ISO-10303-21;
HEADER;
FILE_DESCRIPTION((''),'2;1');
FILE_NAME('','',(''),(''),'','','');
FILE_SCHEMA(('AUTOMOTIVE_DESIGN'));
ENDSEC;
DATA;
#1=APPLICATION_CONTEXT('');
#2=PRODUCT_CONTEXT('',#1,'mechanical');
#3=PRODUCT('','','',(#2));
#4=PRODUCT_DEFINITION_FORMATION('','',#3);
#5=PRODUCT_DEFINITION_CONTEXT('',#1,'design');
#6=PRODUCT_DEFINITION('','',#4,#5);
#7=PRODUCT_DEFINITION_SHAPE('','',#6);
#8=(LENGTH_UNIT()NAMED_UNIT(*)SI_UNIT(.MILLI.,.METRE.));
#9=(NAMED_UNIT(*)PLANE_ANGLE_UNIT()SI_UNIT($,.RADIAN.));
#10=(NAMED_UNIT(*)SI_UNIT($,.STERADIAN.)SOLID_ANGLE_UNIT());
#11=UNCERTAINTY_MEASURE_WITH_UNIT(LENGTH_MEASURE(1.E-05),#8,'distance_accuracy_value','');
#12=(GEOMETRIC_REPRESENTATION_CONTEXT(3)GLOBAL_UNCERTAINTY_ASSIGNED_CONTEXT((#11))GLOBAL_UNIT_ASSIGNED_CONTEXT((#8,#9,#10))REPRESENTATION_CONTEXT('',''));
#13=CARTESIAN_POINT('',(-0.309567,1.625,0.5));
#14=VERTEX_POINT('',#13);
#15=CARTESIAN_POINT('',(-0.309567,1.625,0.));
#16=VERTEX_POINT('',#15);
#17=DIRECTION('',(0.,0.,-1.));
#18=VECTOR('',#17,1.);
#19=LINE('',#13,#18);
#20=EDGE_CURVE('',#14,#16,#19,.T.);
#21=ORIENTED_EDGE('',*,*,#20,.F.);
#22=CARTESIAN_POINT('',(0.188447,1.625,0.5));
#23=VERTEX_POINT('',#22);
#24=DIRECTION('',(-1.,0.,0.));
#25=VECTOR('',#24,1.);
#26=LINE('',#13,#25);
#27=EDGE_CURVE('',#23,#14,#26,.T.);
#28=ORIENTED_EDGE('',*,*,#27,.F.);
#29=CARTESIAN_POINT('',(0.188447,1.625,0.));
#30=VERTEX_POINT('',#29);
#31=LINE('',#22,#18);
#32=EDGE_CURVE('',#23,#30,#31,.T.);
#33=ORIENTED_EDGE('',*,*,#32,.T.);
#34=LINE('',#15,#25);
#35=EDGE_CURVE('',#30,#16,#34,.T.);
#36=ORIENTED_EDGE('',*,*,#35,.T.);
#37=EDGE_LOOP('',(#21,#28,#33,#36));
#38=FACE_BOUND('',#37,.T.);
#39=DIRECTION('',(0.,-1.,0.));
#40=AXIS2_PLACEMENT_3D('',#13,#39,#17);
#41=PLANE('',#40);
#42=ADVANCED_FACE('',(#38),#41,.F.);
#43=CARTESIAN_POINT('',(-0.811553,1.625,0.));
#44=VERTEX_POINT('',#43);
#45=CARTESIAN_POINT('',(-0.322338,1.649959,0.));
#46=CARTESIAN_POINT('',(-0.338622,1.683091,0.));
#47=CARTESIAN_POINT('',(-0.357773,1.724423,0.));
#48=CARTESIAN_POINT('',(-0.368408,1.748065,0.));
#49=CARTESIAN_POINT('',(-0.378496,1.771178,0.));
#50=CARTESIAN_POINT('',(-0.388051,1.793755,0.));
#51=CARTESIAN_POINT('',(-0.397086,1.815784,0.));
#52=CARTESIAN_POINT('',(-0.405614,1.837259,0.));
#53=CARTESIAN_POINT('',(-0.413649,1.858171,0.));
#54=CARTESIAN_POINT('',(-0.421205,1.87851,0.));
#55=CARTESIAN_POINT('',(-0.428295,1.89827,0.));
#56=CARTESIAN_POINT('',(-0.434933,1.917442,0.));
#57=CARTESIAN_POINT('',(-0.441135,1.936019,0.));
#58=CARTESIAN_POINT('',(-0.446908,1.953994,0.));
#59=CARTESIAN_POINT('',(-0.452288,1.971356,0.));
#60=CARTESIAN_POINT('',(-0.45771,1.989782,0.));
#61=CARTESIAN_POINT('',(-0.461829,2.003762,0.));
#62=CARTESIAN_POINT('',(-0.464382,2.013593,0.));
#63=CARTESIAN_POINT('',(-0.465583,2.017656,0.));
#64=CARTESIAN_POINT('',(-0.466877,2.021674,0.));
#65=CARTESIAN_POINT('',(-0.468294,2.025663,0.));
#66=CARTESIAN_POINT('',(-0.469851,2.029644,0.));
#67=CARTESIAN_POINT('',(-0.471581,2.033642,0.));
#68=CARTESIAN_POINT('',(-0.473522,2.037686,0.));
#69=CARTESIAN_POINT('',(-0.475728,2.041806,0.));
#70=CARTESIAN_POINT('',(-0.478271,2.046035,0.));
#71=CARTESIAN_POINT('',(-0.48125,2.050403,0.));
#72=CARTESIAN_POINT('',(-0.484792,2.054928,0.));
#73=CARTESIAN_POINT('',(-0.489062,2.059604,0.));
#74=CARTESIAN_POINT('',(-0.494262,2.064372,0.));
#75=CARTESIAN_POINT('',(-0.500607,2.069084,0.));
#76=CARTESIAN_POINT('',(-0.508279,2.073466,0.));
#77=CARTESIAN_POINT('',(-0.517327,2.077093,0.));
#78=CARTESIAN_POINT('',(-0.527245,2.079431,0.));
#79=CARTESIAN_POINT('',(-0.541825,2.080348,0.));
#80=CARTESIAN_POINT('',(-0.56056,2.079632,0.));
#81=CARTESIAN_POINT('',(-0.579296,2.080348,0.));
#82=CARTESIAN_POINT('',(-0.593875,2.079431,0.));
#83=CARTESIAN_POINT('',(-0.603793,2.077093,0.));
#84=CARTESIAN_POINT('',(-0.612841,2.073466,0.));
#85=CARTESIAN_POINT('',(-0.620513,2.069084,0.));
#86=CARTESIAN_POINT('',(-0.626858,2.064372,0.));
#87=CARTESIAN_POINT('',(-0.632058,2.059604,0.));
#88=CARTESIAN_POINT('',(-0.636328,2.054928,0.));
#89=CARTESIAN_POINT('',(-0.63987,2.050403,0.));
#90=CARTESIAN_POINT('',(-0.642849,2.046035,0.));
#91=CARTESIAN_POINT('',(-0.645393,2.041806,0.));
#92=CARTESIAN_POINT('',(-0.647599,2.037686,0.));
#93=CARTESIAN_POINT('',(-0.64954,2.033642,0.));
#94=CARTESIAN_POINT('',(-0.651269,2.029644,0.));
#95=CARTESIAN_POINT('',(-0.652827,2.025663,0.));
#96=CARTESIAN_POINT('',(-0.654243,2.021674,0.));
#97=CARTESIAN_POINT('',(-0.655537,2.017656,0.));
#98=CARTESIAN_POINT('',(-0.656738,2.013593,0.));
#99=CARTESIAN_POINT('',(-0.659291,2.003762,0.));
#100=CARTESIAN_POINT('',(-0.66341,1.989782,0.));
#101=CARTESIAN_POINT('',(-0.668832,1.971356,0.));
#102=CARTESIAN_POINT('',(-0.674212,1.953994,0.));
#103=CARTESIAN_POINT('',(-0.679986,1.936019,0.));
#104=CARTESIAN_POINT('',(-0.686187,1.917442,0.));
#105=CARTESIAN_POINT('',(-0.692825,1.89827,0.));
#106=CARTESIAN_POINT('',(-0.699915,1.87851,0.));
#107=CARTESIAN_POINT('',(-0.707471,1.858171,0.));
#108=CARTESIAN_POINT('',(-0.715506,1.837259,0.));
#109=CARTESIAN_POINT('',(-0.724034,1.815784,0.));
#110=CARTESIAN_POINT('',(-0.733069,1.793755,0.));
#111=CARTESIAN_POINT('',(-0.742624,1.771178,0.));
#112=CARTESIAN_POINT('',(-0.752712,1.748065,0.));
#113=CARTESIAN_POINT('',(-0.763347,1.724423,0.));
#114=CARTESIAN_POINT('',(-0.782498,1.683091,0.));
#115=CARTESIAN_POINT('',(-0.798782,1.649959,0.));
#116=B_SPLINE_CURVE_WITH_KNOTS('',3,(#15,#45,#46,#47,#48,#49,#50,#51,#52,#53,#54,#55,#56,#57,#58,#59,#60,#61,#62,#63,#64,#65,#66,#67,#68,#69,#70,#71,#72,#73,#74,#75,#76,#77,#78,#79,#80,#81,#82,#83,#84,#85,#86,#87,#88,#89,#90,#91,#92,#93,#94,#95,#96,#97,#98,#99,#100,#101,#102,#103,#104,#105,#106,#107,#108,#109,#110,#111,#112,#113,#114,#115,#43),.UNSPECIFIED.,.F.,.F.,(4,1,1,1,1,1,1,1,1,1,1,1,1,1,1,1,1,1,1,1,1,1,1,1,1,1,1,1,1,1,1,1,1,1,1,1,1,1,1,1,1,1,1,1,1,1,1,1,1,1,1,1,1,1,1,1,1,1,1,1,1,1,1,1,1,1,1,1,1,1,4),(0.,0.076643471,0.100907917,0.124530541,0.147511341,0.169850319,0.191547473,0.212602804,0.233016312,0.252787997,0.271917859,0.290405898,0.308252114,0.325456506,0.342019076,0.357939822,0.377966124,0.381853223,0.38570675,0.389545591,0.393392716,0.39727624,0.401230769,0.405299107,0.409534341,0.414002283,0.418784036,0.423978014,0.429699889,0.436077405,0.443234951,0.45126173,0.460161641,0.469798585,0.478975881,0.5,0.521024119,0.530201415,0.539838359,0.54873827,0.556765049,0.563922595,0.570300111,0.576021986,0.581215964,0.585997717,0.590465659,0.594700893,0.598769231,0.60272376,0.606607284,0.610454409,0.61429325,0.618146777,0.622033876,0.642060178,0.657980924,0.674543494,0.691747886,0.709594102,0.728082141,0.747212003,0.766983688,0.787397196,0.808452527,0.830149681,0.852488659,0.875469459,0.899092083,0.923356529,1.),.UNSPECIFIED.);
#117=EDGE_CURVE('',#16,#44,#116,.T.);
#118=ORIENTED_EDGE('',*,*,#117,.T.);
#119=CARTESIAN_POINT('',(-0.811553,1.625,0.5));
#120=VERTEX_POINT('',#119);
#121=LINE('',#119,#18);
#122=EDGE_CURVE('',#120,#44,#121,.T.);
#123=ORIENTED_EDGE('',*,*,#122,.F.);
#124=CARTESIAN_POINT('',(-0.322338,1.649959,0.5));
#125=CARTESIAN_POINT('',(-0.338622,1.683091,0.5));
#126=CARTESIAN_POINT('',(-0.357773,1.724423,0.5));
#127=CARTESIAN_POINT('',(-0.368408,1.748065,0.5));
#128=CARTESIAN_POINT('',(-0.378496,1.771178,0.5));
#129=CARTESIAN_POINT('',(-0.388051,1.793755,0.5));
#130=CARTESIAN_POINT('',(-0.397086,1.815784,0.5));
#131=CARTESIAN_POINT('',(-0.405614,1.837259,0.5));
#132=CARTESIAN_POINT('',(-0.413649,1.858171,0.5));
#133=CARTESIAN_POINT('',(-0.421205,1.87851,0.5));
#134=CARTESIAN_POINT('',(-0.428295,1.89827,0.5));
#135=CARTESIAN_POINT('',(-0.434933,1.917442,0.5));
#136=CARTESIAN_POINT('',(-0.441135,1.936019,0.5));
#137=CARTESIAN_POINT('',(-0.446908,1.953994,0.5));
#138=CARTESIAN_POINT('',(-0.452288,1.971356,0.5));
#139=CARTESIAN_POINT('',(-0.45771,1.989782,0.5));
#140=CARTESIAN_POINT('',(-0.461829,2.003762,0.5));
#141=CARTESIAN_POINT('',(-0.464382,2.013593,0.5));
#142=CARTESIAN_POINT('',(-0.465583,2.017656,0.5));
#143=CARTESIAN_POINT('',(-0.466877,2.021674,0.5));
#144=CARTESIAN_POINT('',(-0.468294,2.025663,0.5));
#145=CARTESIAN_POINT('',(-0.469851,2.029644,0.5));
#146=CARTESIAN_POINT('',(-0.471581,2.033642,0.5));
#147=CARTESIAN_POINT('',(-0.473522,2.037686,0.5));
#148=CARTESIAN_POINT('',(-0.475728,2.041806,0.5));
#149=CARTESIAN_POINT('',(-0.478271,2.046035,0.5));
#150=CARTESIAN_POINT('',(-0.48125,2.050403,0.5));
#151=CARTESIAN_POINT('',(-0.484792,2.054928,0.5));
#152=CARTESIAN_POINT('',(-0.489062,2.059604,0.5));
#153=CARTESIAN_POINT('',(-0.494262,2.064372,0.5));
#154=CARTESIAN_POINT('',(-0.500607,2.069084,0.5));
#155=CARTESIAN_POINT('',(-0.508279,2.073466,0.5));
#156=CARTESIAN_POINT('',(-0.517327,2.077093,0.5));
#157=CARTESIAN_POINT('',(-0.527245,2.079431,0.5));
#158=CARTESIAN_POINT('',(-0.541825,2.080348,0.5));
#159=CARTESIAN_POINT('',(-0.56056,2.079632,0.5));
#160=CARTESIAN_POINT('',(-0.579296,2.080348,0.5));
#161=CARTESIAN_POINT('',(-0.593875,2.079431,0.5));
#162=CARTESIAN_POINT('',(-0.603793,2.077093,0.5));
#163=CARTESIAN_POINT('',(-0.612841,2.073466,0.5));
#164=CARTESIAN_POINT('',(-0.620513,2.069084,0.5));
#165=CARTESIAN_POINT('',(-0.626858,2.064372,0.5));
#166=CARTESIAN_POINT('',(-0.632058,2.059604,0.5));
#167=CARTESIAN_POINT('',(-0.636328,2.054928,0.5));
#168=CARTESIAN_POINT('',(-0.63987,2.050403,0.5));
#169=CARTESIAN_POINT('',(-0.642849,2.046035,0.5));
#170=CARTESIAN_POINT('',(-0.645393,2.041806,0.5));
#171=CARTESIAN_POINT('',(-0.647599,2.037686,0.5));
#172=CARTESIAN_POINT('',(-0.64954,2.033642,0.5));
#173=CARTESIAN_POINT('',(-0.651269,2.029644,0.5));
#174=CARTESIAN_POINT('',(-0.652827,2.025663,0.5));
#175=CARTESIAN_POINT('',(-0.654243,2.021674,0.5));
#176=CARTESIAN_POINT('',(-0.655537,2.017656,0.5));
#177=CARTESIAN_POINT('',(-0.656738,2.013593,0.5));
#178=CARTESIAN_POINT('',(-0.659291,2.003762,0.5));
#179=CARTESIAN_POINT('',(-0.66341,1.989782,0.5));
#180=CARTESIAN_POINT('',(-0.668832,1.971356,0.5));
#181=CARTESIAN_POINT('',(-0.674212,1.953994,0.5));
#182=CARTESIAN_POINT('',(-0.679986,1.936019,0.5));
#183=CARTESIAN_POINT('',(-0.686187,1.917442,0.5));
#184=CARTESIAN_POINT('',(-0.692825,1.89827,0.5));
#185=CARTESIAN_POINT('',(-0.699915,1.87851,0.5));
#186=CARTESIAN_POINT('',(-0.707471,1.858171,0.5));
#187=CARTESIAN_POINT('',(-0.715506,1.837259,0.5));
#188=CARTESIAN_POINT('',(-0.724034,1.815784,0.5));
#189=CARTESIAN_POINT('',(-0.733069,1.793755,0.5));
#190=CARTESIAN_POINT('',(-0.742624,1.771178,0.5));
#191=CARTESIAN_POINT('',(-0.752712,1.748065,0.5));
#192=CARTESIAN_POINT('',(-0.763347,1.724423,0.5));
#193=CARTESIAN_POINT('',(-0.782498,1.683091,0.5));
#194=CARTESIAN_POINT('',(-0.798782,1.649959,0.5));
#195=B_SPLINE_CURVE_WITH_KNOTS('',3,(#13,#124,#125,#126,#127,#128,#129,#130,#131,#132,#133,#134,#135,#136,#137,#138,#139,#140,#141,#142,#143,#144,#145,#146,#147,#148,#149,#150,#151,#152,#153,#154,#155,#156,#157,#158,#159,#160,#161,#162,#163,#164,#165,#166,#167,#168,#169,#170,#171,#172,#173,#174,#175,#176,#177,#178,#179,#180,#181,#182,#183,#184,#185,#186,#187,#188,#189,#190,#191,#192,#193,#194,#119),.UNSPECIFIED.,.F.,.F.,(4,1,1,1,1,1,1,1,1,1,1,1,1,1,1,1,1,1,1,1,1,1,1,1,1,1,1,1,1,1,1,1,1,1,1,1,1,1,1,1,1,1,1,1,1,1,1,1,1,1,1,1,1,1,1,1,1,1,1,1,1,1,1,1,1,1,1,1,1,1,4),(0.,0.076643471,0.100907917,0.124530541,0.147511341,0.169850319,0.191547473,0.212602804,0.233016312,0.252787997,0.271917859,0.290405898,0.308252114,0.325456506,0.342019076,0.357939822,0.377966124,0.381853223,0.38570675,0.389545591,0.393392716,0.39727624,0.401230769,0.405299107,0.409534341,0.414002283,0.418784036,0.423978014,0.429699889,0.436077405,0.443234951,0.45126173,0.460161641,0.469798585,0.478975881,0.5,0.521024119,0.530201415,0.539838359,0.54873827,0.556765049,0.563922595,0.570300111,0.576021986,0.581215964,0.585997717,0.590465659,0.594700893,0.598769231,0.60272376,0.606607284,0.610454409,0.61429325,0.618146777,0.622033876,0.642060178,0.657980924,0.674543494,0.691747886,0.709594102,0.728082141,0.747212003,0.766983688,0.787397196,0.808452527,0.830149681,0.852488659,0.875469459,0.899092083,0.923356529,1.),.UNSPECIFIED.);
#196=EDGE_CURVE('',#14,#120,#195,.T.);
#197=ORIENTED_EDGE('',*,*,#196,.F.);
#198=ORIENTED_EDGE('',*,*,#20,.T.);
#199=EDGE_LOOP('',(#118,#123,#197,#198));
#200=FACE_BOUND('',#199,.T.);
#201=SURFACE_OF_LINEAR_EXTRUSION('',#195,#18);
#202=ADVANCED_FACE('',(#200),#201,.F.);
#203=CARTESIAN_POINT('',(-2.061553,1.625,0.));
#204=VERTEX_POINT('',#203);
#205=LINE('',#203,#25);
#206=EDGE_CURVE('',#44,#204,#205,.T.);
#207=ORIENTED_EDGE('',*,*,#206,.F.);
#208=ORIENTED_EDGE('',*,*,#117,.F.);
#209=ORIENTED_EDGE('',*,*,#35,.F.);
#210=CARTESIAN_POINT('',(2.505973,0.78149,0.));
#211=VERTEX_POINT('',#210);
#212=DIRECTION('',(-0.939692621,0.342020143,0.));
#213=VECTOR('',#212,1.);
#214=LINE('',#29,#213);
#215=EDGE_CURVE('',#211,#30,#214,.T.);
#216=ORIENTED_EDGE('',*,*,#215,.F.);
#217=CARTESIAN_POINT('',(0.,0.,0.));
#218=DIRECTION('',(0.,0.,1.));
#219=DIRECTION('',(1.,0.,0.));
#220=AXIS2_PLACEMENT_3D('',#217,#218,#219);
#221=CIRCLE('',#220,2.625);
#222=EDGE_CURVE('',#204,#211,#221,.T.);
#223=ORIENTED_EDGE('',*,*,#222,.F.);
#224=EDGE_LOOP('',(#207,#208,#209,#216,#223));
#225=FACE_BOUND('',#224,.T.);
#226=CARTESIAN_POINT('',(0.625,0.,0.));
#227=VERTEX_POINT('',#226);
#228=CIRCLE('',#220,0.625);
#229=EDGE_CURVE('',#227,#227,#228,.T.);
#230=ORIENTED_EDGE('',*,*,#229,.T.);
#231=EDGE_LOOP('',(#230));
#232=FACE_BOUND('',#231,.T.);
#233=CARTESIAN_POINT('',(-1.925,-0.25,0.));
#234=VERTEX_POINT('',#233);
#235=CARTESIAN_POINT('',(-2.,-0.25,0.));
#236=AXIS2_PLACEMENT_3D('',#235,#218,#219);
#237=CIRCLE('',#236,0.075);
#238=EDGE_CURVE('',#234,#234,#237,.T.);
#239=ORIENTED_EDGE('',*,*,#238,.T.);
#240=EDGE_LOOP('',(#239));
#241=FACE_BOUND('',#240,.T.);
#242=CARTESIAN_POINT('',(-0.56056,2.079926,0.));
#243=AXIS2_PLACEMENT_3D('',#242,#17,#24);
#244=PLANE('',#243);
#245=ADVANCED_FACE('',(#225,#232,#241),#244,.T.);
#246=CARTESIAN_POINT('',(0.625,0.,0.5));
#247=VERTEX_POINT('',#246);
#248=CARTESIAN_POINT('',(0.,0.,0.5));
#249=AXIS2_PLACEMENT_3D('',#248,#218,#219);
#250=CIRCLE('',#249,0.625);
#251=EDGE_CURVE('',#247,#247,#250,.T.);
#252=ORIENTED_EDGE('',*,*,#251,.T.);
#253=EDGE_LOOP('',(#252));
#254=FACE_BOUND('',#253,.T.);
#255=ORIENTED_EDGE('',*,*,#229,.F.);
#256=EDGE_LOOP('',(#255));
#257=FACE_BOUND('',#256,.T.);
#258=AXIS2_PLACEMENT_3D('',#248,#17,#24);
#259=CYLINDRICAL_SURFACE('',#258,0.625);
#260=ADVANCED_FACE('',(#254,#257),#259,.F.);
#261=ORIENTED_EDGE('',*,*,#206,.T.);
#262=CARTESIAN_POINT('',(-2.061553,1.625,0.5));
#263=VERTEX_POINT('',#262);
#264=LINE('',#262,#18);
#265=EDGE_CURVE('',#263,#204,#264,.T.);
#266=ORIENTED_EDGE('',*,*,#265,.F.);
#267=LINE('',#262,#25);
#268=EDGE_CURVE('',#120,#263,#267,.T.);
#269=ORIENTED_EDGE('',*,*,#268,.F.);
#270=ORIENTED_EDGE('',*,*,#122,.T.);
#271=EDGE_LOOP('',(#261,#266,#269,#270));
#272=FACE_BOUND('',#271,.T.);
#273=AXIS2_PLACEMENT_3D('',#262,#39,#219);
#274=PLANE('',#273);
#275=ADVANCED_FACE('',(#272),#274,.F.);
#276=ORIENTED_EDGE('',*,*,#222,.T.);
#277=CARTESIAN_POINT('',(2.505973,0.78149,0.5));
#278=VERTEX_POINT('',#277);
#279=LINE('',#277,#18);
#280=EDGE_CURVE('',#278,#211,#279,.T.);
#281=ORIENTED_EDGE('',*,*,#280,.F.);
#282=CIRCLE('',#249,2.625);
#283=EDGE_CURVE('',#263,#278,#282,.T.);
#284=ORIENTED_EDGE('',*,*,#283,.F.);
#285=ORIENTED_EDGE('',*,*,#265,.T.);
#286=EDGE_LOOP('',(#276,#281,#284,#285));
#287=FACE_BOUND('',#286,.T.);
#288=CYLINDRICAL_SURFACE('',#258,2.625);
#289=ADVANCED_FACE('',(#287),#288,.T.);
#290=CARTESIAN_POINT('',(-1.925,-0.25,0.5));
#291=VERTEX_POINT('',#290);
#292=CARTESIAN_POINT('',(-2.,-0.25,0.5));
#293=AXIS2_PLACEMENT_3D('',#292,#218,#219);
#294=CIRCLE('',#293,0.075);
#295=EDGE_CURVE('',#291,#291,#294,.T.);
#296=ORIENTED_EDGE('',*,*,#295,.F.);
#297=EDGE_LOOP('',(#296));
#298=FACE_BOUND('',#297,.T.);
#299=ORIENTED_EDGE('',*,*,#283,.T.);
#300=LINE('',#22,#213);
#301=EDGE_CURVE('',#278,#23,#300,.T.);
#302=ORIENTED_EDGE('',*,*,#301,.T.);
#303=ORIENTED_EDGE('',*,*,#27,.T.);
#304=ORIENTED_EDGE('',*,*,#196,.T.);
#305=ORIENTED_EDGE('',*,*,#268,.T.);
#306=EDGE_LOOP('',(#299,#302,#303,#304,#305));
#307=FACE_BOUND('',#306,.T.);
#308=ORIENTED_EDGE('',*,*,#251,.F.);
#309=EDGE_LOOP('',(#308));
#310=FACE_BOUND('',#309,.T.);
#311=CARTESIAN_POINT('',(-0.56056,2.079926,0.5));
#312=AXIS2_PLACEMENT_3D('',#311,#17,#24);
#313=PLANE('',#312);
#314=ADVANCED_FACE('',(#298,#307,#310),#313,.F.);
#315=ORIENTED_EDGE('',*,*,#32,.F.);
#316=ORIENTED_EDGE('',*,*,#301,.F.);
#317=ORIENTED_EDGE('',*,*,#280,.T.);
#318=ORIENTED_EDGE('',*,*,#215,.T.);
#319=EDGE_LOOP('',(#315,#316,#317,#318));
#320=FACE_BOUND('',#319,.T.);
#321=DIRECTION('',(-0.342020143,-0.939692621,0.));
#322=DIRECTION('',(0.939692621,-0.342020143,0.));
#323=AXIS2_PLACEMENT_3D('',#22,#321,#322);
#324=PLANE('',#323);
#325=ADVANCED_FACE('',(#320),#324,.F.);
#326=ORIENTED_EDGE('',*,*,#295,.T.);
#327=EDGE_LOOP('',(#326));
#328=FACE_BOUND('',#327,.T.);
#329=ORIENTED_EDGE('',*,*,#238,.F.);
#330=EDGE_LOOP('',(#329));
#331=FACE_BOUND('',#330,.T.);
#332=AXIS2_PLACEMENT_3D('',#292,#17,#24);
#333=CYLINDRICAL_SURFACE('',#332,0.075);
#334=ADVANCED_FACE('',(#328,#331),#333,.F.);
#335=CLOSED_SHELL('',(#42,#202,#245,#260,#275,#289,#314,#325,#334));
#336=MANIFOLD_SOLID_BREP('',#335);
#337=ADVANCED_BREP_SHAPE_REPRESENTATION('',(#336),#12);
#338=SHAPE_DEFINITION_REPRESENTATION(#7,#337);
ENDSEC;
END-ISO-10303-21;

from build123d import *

# Parameters (mm, degrees)
CROQUIS1_R              = 0.625
CROQUIS1_R_2            = 0.075
SALIENTE_EXTRUIR1_DEPTH = 0.5


with BuildPart() as part:
    # Croquis1 → Saliente-Extruir1 (new body)
    with BuildSketch(Plane.XY):
        with BuildLine():
            Line((-2.061552813, 1.625), (-0.811552813, 1.625))
            add(Edge.make_bspline(
                [(-0.811552813, 1.625), (-0.798782356, 1.649959349), (-0.782498238, 1.683090879), (-0.763347126, 1.72442316), (-0.752712149, 1.748064852), (-0.74262377, 1.771178381), (-0.733068825, 1.793754559), (-0.724034006, 1.815784432), (-0.715505878, 1.837259275), (-0.707470863, 1.858170593), (-0.699915302, 1.878510138), (-0.692825255, 1.898269854), (-0.686187231, 1.917442077), (-0.679985615, 1.936018832), (-0.674211779, 1.953994338), (-0.668831938, 1.971356162), (-0.66341026, 1.989782298), (-0.659291042, 2.003761573), (-0.65673809, 2.013593254), (-0.65553735, 2.017655932), (-0.654243192, 2.021674167), (-0.652826724, 2.025662873), (-0.651269039, 2.029644141), (-0.649539563, 2.033642415), (-0.647598658, 2.037685942), (-0.645392531, 2.041805901), (-0.642848792, 2.046034827), (-0.639870281, 2.050402579), (-0.636328384, 2.054928152), (-0.6320578, 2.059604348), (-0.626858125, 2.064372328), (-0.620512998, 2.06908401), (-0.612841423, 2.073466371), (-0.60379299, 2.077092613), (-0.593874768, 2.079431243), (-0.579295505, 2.080347541), (-0.560560129, 2.079632007), (-0.541824754, 2.080347541), (-0.52724549, 2.079431243), (-0.517327269, 2.077092613), (-0.508278836, 2.073466371), (-0.500607261, 2.06908401), (-0.494262134, 2.064372328), (-0.489062459, 2.059604348), (-0.484791875, 2.054928152), (-0.481249978, 2.050402579), (-0.478271466, 2.046034827), (-0.475727728, 2.041805901), (-0.473521601, 2.037685942), (-0.471580696, 2.033642415), (-0.46985122, 2.029644141), (-0.468293535, 2.025662873), (-0.466877067, 2.021674167), (-0.465582909, 2.017655932), (-0.464382169, 2.013593254), (-0.461829216, 2.003761573), (-0.457709999, 1.989782298), (-0.452288321, 1.971356162), (-0.44690848, 1.953994338), (-0.441134644, 1.936018832), (-0.434933028, 1.917442077), (-0.428295003, 1.898269854), (-0.421204957, 1.878510138), (-0.413649396, 1.858170593), (-0.405614381, 1.837259275), (-0.397086252, 1.815784432), (-0.388051434, 1.793754559), (-0.378496489, 1.771178381), (-0.36840811, 1.748064852), (-0.357773133, 1.72442316), (-0.338622021, 1.683090879), (-0.322337903, 1.649959349), (-0.309567446, 1.625)],
                knots=[0, 0, 0, 0, 0.076643471, 0.100907917, 0.124530541, 0.147511341, 0.169850319, 0.191547473, 0.212602804, 0.233016312, 0.252787997, 0.271917859, 0.290405898, 0.308252114, 0.325456506, 0.342019076, 0.357939822, 0.377966124, 0.381853223, 0.38570675, 0.389545591, 0.393392716, 0.39727624, 0.401230769, 0.405299107, 0.409534341, 0.414002283, 0.418784036, 0.423978014, 0.429699889, 0.436077405, 0.443234951, 0.45126173, 0.460161641, 0.469798585, 0.478975881, 0.5, 0.521024119, 0.530201415, 0.539838359, 0.54873827, 0.556765049, 0.563922595, 0.570300111, 0.576021986, 0.581215964, 0.585997717, 0.590465659, 0.594700893, 0.598769231, 0.60272376, 0.606607284, 0.610454409, 0.61429325, 0.618146777, 0.622033876, 0.642060178, 0.657980924, 0.674543494, 0.691747886, 0.709594102, 0.728082141, 0.747212003, 0.766983688, 0.787397196, 0.808452527, 0.830149681, 0.852488659, 0.875469459, 0.899092083, 0.923356529, 1, 1, 1, 1], degree=3))
            Line((-0.309567446, 1.625), (0.188447187, 1.625))
            Line((0.188447187, 1.625), (2.505972628, 0.781489722))
            ThreePointArc((2.505972628, 0.781489722), (-0.476712324, -2.581350491), (-2.061552813, 1.625))
        make_face()
        Circle(CROQUIS1_R, mode=Mode.SUBTRACT)
        with Locations((-2, -0.25)):
            Circle(CROQUIS1_R_2, mode=Mode.SUBTRACT)
    extrude(amount=SALIENTE_EXTRUIR1_DEPTH)


solid = part.part
